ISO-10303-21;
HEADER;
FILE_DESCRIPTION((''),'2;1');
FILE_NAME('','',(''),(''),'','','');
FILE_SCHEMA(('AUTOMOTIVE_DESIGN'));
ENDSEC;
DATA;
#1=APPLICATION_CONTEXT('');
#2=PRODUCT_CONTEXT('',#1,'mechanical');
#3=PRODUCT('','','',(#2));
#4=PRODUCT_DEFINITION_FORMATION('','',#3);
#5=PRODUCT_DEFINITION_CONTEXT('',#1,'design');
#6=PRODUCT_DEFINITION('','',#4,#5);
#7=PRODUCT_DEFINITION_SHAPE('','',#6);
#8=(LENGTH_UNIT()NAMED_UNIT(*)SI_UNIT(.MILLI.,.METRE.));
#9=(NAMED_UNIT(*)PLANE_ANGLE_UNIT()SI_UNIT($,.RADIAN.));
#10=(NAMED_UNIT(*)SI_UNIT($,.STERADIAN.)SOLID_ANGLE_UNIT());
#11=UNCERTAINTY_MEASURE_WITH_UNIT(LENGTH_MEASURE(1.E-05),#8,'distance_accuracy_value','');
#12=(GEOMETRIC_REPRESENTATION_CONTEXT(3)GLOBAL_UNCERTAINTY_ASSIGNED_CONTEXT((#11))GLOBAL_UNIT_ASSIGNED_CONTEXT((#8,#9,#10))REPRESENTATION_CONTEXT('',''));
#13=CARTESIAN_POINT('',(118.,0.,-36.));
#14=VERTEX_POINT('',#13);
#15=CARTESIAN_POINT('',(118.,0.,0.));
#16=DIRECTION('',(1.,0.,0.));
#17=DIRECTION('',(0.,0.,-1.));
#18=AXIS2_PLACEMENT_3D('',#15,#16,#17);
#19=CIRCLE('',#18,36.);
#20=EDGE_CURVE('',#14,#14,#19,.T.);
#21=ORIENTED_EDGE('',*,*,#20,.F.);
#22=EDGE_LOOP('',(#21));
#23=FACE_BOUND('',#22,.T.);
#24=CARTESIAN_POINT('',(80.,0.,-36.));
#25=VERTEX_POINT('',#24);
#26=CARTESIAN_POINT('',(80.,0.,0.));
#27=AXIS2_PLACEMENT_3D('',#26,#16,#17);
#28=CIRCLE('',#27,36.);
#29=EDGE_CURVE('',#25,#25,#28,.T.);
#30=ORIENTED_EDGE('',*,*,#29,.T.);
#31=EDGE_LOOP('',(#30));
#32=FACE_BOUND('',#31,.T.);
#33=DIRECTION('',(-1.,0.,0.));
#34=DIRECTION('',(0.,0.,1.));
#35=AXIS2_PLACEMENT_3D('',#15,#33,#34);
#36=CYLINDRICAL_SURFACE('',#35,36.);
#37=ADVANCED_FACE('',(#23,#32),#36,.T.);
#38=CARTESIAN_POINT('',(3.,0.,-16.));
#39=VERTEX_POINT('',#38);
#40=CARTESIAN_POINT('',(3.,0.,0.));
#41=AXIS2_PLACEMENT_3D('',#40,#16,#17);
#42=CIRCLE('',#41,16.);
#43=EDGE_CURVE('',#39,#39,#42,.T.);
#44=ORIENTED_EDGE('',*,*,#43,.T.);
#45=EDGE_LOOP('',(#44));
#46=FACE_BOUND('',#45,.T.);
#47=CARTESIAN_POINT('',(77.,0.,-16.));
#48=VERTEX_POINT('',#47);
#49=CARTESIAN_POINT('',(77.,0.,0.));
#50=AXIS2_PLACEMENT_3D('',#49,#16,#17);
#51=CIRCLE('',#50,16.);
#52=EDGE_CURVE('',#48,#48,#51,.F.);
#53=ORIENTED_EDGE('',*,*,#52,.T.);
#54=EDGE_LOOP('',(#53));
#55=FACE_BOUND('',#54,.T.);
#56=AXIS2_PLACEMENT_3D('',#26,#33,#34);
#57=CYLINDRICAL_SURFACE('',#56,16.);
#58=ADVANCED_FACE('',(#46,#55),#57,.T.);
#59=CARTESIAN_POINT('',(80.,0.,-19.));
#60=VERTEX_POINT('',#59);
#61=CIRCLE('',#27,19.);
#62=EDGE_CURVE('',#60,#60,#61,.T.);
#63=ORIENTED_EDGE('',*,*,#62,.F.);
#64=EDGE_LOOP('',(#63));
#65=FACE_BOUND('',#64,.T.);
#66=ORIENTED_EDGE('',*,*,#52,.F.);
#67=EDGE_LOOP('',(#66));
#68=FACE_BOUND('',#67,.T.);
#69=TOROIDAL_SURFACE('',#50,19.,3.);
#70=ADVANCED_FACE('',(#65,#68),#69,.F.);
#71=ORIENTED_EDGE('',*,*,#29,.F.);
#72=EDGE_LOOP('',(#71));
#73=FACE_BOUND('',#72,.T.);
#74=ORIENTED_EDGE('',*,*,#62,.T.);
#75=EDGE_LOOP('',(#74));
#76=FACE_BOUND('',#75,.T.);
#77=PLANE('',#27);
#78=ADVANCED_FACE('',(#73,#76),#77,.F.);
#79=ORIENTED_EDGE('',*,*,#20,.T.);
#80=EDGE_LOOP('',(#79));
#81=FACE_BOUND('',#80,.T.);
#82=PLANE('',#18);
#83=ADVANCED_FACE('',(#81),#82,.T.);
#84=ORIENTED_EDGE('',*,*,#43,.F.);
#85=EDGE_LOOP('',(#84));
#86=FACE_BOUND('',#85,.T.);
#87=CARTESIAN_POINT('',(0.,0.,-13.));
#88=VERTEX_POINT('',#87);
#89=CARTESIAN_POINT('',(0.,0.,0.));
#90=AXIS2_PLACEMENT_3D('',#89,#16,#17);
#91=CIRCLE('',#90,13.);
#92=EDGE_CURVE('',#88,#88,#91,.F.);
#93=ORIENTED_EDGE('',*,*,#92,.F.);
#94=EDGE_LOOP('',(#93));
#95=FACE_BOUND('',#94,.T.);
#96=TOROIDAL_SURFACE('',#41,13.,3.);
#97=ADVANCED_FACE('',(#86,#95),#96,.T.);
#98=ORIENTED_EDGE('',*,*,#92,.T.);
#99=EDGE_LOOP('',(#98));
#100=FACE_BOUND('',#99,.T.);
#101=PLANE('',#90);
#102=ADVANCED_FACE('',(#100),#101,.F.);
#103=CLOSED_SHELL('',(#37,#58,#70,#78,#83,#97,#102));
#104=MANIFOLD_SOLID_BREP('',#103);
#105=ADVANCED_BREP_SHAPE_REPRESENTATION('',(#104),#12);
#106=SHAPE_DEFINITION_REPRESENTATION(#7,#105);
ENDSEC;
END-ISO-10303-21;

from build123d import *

# Parameters (mm, degrees)
SKETCH3_R           = 16
BOSS_EXTRUDE1_DEPTH = 80
SKETCH4_R           = 36
BOSS_EXTRUDE2_DEPTH = 38
FILLET1_R           = 3


with BuildPart() as part:
    # Sketch3 → Boss-Extrude1 (new body)
    with BuildSketch(Plane(origin=(0, 0, 0), x_dir=(0, 0, -1), z_dir=(1, 0, 0))):
        Circle(SKETCH3_R)
    extrude(amount=BOSS_EXTRUDE1_DEPTH)

    # Sketch4 → Boss-Extrude2 (add)
    with BuildSketch(Plane(origin=(80, 0, 0), x_dir=(0, 0, -1), z_dir=(1, 0, 0))):
        Circle(SKETCH4_R)
    extrude(amount=BOSS_EXTRUDE2_DEPTH)

    # Fillet1
    fillet1_edges = [part.edges().sort_by_distance(p)[0] for p in [
        (0, 0, 16),
        (80, 0, 16),
    ]]
    fillet(fillet1_edges, radius=FILLET1_R)


solid = part.part
